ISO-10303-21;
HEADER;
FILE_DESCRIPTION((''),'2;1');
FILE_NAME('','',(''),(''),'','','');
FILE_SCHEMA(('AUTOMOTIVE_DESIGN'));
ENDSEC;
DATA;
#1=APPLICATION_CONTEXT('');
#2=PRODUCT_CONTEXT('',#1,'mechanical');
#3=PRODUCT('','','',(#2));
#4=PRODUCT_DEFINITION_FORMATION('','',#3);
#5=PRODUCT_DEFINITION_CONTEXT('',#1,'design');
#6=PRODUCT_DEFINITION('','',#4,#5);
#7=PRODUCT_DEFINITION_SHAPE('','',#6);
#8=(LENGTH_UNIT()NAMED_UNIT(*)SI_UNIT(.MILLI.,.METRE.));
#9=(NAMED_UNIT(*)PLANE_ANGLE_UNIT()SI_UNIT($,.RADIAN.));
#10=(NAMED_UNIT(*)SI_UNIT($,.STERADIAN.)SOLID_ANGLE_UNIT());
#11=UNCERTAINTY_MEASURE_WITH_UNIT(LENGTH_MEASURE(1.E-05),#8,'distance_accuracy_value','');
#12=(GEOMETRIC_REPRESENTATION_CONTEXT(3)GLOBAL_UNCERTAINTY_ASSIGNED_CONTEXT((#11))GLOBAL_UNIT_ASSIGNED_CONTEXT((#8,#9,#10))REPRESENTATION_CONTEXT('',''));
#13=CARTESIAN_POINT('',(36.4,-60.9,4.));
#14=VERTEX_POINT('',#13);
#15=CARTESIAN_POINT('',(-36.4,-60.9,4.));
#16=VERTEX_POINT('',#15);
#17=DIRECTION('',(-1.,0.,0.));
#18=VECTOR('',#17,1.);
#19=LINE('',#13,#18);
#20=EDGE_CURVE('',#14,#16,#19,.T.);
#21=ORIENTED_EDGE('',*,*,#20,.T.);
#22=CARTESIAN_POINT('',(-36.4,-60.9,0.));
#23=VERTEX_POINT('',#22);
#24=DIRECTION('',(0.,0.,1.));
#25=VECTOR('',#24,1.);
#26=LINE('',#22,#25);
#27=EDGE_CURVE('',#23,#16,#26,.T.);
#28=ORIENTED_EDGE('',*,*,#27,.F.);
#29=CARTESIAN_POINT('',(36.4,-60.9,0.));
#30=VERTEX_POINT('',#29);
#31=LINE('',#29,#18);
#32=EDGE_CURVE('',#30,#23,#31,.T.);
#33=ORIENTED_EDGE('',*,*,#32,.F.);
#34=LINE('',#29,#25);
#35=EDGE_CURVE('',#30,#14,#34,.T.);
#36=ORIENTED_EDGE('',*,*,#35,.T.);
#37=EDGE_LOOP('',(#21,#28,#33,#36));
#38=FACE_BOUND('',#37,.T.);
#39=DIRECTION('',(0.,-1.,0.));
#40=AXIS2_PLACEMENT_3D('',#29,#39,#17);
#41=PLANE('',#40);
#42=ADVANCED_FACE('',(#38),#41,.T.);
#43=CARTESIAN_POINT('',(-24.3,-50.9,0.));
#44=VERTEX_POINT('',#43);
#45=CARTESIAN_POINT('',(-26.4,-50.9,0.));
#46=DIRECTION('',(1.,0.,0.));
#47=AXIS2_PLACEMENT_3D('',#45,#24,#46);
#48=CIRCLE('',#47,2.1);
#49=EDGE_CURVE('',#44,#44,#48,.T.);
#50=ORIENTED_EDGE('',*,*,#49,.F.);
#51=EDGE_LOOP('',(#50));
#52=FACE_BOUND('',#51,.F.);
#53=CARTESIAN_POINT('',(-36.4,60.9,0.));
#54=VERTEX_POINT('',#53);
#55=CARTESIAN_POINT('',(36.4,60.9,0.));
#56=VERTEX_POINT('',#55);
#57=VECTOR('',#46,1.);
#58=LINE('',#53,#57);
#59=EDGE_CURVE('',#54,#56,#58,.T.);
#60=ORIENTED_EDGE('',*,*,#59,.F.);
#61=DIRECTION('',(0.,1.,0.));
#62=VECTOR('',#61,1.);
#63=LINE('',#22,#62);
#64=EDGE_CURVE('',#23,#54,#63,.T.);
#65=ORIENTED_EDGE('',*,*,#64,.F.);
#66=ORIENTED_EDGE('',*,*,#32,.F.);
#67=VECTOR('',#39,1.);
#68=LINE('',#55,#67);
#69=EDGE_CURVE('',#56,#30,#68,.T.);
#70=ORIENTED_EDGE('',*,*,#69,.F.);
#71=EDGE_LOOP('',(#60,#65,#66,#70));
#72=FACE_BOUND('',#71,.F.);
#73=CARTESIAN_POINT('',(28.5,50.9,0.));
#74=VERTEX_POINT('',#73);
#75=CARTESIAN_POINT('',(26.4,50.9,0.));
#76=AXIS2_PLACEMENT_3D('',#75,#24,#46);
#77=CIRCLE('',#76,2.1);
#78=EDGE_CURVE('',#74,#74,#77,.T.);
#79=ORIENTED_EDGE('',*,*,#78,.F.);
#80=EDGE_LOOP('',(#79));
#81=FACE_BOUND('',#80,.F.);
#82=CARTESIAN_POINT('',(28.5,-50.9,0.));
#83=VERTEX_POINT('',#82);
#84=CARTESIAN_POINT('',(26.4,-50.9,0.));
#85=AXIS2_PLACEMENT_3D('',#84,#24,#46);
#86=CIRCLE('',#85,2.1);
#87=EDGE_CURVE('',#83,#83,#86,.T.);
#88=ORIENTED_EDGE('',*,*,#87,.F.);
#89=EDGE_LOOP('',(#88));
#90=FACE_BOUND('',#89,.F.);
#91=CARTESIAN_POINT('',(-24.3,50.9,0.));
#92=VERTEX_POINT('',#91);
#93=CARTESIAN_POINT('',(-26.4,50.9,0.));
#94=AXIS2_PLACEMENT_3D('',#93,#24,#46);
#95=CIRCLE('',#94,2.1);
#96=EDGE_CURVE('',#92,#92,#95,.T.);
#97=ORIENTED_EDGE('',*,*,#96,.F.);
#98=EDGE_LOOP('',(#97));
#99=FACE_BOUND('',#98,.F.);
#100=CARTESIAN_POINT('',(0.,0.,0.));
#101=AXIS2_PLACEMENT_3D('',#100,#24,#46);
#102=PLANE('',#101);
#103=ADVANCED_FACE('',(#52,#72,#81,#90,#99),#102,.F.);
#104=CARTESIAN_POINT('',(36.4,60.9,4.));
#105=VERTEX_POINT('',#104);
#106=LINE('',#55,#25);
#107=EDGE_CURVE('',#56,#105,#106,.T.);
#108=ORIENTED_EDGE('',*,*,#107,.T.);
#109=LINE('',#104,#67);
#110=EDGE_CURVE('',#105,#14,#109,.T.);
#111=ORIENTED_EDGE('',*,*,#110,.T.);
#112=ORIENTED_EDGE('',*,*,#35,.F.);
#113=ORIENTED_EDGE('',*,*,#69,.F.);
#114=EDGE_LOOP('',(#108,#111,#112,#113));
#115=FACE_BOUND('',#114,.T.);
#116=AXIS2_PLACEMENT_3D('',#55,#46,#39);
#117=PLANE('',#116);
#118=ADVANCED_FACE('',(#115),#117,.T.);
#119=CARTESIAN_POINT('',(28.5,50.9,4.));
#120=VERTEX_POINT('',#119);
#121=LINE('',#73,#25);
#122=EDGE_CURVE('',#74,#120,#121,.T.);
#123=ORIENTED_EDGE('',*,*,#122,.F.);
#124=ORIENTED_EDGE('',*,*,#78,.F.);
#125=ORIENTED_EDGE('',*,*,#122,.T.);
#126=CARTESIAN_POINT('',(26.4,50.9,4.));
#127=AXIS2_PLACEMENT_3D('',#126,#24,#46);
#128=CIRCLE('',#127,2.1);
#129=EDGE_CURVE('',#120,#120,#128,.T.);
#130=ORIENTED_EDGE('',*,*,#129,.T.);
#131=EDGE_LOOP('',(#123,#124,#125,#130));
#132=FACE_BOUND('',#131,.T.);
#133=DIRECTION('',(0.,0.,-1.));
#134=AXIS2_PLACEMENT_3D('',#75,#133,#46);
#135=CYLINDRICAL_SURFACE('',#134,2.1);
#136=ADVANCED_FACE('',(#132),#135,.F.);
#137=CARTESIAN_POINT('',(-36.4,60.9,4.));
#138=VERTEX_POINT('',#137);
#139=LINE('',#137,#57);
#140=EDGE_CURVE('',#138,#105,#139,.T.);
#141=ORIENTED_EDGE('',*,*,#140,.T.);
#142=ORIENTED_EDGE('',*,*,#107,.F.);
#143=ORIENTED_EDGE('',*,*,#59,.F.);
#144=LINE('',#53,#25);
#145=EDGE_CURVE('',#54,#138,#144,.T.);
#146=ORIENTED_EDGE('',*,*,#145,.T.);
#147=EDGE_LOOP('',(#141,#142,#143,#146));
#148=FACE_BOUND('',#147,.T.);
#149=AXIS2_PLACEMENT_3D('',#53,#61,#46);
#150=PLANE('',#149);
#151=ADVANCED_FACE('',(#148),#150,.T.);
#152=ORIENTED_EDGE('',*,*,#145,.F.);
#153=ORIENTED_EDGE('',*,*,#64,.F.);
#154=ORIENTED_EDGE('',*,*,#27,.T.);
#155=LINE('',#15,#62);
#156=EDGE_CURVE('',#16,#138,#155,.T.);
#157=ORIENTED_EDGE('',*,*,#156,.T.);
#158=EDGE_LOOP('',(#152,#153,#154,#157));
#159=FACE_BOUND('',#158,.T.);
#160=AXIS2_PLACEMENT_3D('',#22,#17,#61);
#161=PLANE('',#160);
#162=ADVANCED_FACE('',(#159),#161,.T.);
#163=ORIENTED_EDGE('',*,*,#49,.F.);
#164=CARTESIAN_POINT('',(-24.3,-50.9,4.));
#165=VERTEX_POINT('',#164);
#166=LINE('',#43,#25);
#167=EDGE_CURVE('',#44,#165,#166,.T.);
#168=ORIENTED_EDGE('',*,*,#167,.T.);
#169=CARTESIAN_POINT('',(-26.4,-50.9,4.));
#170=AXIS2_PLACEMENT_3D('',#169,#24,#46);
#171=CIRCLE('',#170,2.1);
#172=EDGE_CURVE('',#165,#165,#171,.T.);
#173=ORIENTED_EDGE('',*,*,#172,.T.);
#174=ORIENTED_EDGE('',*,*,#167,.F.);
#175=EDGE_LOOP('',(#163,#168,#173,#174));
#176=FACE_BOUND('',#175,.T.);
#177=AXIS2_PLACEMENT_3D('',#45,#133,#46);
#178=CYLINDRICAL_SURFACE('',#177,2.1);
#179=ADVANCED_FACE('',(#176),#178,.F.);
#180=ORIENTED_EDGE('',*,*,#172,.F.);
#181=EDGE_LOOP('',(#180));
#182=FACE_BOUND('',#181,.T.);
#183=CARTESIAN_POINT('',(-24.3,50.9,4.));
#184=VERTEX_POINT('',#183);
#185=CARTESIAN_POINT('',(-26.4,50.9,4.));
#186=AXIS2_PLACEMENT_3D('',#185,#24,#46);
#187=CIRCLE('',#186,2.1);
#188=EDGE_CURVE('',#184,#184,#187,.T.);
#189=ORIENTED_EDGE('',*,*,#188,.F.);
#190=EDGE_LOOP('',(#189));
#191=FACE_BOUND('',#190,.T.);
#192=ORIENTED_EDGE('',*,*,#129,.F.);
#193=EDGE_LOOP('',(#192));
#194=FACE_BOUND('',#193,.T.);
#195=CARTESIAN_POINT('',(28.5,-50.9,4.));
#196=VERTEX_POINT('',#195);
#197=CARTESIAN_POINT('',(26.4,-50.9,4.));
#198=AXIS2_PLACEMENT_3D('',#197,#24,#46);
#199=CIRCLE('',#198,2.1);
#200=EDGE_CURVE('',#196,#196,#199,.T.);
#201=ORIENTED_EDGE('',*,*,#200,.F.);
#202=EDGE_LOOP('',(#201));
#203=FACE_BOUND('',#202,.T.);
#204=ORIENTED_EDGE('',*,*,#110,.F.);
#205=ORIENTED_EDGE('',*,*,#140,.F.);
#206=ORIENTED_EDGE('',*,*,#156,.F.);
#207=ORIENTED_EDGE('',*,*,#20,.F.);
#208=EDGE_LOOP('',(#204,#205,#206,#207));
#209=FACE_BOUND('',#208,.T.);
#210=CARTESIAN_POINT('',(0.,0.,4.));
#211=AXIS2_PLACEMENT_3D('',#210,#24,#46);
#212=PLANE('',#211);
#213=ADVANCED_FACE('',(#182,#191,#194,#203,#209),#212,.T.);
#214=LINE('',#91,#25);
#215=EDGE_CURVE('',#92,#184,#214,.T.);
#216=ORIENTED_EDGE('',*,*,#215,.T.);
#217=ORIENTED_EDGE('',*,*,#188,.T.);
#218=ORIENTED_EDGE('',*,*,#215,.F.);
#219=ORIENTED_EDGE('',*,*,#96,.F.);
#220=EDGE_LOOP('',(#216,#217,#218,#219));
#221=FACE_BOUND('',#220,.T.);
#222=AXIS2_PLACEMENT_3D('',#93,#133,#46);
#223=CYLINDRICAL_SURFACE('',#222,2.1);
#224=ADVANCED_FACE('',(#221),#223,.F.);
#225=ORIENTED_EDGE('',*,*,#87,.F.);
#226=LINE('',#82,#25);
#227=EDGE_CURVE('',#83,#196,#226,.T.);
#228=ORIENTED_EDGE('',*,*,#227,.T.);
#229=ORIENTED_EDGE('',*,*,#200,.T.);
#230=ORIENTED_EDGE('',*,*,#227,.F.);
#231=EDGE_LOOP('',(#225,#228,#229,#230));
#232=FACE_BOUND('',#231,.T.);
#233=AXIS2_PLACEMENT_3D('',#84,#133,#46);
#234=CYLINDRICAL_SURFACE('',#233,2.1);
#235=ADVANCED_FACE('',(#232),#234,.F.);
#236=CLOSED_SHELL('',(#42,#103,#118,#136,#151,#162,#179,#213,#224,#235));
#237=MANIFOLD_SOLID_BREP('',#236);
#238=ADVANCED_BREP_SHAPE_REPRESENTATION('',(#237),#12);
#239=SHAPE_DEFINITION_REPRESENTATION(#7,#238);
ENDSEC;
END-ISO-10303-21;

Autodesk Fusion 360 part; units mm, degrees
sketch "Sketch1" plane through (0, 0, 0) normal (0, 0, 1) x (1, 0, 0)
  line L0 (36.4, -60.9) -> (-36.4, -60.9)
  line L1 (-36.4, -60.9) -> (-36.4, 60.9)
  line L2 (-36.4, 60.9) -> (36.4, 60.9)
  line L3 (36.4, 60.9) -> (36.4, -60.9)
  line L4 (36.4, -60.9) -> (-36.4, 60.9) construction
  line L5 (-36.4, -60.9) -> (36.4, 60.9) construction
  line L6 (26.4, -50.9) -> (-26.4, -50.9) construction
  line L7 (-26.4, -50.9) -> (-26.4, 50.9) construction
  line L8 (-26.4, 50.9) -> (26.4, 50.9) construction
  line L9 (26.4, 50.9) -> (26.4, -50.9) construction
  line L10 (26.4, -50.9) -> (-26.4, 50.9) construction
  line L11 (-26.4, -50.9) -> (26.4, 50.9) construction
  circle A0 centre (-26.4, 50.9) radius 2.1
  circle A1 centre (26.4, 50.9) radius 2.1
  circle A2 centre (26.4, -50.9) radius 2.1
  circle A3 centre (-26.4, -50.9) radius 2.1
  dimension "d1" = 121.8
  dimension "d2" = 101.8
  dimension "d3" = 52.8
  dimension "d4" = 10
  dimension "d5" = 4.2
  dimension "d6" = 4.2
  dimension "d7" = 4.2
  dimension "d8" = 4.2
extrude "Extrude1" add sketch "Sketch1" along normal blind 4
equation "d2 = ( 50.9 * 2 ) * 1 mm"
